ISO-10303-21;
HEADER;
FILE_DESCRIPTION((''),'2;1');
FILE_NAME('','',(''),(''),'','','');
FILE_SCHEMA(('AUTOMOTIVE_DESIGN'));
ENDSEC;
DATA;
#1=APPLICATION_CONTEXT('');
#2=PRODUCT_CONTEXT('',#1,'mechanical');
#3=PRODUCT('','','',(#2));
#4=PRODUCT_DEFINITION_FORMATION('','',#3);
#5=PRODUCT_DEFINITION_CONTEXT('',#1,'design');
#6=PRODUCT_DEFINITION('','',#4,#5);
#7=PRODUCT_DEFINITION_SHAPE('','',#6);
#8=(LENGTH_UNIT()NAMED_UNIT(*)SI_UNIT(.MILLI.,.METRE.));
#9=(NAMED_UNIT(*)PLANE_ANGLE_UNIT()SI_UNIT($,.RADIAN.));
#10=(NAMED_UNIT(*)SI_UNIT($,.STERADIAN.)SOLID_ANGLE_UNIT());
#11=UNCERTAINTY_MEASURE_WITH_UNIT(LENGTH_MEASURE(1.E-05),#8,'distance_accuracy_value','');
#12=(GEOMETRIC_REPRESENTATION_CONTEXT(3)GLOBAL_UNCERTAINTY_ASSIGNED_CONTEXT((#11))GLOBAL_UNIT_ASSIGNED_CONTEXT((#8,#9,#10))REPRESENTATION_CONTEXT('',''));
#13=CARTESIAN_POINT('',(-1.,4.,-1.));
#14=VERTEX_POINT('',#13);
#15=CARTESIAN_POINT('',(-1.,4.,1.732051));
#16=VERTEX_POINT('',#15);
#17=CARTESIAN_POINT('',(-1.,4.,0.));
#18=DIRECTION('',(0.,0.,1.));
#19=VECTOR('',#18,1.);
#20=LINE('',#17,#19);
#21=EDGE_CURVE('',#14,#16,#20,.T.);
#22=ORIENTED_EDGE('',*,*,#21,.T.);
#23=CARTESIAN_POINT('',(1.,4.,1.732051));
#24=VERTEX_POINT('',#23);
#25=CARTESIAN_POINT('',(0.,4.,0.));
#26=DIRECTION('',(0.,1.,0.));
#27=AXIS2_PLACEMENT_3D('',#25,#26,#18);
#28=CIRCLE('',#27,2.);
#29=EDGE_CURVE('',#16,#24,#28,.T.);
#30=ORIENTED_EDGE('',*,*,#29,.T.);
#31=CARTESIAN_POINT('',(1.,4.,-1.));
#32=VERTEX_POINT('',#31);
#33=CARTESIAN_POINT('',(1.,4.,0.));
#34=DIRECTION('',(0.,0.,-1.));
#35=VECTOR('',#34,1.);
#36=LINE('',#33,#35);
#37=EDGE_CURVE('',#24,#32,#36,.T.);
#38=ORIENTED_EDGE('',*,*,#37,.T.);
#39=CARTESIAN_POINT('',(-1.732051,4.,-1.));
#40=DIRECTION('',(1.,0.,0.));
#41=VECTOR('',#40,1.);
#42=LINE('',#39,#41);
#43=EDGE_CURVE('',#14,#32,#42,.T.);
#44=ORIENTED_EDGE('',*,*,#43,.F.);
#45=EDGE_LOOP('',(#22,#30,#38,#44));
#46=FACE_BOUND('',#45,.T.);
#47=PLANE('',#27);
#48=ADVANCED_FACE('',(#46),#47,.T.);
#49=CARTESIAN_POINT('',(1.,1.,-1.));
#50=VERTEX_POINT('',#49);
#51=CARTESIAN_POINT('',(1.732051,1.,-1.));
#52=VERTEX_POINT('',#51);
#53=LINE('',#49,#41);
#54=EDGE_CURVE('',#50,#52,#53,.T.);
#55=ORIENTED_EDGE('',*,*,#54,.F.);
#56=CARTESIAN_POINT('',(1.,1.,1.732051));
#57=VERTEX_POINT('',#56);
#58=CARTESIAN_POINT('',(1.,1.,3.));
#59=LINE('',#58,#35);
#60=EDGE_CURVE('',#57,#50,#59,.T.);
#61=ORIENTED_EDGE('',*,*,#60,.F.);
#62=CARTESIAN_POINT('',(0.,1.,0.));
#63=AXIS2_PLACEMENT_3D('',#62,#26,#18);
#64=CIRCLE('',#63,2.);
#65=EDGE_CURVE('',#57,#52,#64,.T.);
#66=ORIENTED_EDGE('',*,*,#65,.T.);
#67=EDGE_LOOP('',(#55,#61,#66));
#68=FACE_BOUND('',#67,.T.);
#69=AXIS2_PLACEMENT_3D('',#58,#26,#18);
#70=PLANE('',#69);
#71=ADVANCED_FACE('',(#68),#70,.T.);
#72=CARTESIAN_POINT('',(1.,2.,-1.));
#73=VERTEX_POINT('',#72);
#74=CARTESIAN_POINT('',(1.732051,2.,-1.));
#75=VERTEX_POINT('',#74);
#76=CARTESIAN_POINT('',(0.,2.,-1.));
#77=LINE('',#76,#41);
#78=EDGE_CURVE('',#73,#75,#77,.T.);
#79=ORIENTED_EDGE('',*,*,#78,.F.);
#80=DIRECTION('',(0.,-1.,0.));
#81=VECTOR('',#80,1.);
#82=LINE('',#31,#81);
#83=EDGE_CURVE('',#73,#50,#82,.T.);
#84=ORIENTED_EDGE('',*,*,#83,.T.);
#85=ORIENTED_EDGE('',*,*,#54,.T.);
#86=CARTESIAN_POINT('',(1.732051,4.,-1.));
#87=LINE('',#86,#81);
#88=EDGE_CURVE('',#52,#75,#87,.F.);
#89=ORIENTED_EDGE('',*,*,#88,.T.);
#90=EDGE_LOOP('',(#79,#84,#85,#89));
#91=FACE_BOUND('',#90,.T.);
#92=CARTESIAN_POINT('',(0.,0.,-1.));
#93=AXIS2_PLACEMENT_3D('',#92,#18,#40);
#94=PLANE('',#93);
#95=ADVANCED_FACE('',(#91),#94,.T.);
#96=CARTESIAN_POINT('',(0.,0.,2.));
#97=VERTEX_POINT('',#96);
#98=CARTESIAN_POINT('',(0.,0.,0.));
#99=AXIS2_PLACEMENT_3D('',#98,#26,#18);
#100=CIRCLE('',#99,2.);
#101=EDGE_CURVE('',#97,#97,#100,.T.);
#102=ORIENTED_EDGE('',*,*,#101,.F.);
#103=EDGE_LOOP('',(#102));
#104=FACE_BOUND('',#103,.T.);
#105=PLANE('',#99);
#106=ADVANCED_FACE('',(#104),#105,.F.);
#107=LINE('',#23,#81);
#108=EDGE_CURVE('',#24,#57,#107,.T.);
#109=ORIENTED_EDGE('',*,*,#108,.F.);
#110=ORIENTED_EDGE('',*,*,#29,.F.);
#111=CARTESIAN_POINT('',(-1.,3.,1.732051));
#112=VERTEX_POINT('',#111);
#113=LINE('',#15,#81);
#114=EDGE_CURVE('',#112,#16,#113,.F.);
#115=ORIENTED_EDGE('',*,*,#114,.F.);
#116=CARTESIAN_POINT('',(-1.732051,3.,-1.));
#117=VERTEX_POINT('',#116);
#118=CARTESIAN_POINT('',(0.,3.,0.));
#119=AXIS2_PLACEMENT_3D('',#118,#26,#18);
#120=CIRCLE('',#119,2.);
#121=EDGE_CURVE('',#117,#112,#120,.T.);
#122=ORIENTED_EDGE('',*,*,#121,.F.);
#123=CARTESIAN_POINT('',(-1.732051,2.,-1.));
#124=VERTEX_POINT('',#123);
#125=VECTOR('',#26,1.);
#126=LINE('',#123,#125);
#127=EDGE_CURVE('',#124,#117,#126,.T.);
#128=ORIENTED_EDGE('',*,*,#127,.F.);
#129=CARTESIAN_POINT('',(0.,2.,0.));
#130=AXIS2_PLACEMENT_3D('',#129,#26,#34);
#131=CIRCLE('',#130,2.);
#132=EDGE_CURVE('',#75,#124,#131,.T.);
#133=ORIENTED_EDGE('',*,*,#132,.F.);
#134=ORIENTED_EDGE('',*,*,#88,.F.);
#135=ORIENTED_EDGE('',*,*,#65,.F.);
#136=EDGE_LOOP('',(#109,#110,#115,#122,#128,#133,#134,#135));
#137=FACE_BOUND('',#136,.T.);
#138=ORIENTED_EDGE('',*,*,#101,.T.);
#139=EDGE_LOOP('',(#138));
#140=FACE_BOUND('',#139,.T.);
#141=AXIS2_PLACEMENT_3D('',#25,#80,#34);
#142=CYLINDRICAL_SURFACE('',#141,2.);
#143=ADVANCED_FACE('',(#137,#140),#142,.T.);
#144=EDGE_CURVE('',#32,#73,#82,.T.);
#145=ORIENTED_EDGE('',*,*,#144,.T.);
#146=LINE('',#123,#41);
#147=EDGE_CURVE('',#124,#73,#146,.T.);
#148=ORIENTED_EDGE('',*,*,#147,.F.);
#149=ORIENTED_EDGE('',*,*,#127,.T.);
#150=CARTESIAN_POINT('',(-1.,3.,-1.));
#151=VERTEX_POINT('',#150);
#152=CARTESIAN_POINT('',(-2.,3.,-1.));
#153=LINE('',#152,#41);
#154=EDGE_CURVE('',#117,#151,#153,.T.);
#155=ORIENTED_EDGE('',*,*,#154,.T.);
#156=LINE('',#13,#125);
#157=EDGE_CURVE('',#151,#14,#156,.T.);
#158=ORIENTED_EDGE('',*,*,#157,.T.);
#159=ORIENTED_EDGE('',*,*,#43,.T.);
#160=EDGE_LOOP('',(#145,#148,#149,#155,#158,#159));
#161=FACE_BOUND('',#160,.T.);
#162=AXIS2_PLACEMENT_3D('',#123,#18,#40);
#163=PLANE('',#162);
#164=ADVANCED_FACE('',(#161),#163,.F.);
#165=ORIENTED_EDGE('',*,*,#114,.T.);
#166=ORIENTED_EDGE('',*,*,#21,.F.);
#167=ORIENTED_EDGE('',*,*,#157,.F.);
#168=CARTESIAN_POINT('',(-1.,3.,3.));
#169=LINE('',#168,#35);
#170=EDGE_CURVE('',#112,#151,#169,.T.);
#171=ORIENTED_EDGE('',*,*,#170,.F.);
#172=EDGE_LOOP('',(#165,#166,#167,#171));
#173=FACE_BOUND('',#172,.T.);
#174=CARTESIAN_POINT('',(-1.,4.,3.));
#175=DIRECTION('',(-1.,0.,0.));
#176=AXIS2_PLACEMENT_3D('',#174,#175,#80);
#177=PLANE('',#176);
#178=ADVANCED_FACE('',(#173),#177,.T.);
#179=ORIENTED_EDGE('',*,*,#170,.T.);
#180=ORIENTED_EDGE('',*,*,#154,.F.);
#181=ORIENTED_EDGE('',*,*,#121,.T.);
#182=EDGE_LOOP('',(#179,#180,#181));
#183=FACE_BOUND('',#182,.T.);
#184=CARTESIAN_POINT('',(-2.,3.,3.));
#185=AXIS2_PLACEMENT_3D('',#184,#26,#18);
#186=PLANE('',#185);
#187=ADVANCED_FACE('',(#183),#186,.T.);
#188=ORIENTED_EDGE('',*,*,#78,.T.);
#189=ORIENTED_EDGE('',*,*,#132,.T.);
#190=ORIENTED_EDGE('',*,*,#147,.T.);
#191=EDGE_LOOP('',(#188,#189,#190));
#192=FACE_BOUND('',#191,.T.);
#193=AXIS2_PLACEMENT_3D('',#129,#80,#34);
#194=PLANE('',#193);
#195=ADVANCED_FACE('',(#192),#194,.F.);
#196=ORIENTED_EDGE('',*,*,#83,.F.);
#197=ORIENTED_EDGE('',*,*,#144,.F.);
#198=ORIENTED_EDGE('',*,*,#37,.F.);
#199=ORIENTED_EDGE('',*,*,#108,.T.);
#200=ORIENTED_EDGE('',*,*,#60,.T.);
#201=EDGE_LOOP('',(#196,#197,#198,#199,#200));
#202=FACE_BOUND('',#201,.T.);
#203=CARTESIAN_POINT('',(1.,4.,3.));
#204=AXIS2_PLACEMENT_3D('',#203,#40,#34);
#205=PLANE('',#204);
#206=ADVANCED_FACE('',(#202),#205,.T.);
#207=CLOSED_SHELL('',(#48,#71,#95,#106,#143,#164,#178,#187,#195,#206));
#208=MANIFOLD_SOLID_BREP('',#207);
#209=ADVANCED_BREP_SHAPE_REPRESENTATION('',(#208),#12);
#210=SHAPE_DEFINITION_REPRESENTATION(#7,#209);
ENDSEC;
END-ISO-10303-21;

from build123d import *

# Parameters (mm, degrees)
SKETCH1_R               = 2
BOSS_EXTRUDE1_DEPTH     = 4
SKETCH2_W               = 1
SKETCH2_H               = 3
SKETCH2_H_2             = 1
CUT_EXTRUDE1_DEPTH      = 3
CUT_EXTRUDE1_DEPTH_BACK = 1
CUT_EXTRUDE2_DEPTH      = 2


with BuildPart() as part:
    # Sketch1 → Boss-Extrude1 (new body)
    with BuildSketch(Plane(origin=(0, 0, 0), x_dir=(1, 0, 0), z_dir=(0, 1, 0))):
        Circle(SKETCH1_R)
    extrude(amount=BOSS_EXTRUDE1_DEPTH)

    # Sketch2 → Cut-Extrude1 (cut, two sides)
    with BuildSketch(Plane.XY) as cut_extrude1_sk:
        with Locations((1.5, 2.5)):
            Rectangle(SKETCH2_W, SKETCH2_H)
        with Locations((-1.5, 3.5)):
            Rectangle(SKETCH2_W, SKETCH2_H_2)
    extrude(amount=CUT_EXTRUDE1_DEPTH, mode=Mode.SUBTRACT)
    extrude(cut_extrude1_sk.sketch, amount=-CUT_EXTRUDE1_DEPTH_BACK, mode=Mode.SUBTRACT)

    # Sketch3 → Cut-Extrude2 (cut)
    with BuildSketch(Plane(origin=(0, 4, 0), x_dir=(1, 0, 0), z_dir=(0, 1, 0))):
        with BuildLine():
            Line((-1.732050808, 1), (1.732050808, 1))
            ThreePointArc((1.732050808, 1), (0, 2), (-1.732050808, 1))
        make_face()
    extrude(amount=-CUT_EXTRUDE2_DEPTH, mode=Mode.SUBTRACT)


solid = part.part
